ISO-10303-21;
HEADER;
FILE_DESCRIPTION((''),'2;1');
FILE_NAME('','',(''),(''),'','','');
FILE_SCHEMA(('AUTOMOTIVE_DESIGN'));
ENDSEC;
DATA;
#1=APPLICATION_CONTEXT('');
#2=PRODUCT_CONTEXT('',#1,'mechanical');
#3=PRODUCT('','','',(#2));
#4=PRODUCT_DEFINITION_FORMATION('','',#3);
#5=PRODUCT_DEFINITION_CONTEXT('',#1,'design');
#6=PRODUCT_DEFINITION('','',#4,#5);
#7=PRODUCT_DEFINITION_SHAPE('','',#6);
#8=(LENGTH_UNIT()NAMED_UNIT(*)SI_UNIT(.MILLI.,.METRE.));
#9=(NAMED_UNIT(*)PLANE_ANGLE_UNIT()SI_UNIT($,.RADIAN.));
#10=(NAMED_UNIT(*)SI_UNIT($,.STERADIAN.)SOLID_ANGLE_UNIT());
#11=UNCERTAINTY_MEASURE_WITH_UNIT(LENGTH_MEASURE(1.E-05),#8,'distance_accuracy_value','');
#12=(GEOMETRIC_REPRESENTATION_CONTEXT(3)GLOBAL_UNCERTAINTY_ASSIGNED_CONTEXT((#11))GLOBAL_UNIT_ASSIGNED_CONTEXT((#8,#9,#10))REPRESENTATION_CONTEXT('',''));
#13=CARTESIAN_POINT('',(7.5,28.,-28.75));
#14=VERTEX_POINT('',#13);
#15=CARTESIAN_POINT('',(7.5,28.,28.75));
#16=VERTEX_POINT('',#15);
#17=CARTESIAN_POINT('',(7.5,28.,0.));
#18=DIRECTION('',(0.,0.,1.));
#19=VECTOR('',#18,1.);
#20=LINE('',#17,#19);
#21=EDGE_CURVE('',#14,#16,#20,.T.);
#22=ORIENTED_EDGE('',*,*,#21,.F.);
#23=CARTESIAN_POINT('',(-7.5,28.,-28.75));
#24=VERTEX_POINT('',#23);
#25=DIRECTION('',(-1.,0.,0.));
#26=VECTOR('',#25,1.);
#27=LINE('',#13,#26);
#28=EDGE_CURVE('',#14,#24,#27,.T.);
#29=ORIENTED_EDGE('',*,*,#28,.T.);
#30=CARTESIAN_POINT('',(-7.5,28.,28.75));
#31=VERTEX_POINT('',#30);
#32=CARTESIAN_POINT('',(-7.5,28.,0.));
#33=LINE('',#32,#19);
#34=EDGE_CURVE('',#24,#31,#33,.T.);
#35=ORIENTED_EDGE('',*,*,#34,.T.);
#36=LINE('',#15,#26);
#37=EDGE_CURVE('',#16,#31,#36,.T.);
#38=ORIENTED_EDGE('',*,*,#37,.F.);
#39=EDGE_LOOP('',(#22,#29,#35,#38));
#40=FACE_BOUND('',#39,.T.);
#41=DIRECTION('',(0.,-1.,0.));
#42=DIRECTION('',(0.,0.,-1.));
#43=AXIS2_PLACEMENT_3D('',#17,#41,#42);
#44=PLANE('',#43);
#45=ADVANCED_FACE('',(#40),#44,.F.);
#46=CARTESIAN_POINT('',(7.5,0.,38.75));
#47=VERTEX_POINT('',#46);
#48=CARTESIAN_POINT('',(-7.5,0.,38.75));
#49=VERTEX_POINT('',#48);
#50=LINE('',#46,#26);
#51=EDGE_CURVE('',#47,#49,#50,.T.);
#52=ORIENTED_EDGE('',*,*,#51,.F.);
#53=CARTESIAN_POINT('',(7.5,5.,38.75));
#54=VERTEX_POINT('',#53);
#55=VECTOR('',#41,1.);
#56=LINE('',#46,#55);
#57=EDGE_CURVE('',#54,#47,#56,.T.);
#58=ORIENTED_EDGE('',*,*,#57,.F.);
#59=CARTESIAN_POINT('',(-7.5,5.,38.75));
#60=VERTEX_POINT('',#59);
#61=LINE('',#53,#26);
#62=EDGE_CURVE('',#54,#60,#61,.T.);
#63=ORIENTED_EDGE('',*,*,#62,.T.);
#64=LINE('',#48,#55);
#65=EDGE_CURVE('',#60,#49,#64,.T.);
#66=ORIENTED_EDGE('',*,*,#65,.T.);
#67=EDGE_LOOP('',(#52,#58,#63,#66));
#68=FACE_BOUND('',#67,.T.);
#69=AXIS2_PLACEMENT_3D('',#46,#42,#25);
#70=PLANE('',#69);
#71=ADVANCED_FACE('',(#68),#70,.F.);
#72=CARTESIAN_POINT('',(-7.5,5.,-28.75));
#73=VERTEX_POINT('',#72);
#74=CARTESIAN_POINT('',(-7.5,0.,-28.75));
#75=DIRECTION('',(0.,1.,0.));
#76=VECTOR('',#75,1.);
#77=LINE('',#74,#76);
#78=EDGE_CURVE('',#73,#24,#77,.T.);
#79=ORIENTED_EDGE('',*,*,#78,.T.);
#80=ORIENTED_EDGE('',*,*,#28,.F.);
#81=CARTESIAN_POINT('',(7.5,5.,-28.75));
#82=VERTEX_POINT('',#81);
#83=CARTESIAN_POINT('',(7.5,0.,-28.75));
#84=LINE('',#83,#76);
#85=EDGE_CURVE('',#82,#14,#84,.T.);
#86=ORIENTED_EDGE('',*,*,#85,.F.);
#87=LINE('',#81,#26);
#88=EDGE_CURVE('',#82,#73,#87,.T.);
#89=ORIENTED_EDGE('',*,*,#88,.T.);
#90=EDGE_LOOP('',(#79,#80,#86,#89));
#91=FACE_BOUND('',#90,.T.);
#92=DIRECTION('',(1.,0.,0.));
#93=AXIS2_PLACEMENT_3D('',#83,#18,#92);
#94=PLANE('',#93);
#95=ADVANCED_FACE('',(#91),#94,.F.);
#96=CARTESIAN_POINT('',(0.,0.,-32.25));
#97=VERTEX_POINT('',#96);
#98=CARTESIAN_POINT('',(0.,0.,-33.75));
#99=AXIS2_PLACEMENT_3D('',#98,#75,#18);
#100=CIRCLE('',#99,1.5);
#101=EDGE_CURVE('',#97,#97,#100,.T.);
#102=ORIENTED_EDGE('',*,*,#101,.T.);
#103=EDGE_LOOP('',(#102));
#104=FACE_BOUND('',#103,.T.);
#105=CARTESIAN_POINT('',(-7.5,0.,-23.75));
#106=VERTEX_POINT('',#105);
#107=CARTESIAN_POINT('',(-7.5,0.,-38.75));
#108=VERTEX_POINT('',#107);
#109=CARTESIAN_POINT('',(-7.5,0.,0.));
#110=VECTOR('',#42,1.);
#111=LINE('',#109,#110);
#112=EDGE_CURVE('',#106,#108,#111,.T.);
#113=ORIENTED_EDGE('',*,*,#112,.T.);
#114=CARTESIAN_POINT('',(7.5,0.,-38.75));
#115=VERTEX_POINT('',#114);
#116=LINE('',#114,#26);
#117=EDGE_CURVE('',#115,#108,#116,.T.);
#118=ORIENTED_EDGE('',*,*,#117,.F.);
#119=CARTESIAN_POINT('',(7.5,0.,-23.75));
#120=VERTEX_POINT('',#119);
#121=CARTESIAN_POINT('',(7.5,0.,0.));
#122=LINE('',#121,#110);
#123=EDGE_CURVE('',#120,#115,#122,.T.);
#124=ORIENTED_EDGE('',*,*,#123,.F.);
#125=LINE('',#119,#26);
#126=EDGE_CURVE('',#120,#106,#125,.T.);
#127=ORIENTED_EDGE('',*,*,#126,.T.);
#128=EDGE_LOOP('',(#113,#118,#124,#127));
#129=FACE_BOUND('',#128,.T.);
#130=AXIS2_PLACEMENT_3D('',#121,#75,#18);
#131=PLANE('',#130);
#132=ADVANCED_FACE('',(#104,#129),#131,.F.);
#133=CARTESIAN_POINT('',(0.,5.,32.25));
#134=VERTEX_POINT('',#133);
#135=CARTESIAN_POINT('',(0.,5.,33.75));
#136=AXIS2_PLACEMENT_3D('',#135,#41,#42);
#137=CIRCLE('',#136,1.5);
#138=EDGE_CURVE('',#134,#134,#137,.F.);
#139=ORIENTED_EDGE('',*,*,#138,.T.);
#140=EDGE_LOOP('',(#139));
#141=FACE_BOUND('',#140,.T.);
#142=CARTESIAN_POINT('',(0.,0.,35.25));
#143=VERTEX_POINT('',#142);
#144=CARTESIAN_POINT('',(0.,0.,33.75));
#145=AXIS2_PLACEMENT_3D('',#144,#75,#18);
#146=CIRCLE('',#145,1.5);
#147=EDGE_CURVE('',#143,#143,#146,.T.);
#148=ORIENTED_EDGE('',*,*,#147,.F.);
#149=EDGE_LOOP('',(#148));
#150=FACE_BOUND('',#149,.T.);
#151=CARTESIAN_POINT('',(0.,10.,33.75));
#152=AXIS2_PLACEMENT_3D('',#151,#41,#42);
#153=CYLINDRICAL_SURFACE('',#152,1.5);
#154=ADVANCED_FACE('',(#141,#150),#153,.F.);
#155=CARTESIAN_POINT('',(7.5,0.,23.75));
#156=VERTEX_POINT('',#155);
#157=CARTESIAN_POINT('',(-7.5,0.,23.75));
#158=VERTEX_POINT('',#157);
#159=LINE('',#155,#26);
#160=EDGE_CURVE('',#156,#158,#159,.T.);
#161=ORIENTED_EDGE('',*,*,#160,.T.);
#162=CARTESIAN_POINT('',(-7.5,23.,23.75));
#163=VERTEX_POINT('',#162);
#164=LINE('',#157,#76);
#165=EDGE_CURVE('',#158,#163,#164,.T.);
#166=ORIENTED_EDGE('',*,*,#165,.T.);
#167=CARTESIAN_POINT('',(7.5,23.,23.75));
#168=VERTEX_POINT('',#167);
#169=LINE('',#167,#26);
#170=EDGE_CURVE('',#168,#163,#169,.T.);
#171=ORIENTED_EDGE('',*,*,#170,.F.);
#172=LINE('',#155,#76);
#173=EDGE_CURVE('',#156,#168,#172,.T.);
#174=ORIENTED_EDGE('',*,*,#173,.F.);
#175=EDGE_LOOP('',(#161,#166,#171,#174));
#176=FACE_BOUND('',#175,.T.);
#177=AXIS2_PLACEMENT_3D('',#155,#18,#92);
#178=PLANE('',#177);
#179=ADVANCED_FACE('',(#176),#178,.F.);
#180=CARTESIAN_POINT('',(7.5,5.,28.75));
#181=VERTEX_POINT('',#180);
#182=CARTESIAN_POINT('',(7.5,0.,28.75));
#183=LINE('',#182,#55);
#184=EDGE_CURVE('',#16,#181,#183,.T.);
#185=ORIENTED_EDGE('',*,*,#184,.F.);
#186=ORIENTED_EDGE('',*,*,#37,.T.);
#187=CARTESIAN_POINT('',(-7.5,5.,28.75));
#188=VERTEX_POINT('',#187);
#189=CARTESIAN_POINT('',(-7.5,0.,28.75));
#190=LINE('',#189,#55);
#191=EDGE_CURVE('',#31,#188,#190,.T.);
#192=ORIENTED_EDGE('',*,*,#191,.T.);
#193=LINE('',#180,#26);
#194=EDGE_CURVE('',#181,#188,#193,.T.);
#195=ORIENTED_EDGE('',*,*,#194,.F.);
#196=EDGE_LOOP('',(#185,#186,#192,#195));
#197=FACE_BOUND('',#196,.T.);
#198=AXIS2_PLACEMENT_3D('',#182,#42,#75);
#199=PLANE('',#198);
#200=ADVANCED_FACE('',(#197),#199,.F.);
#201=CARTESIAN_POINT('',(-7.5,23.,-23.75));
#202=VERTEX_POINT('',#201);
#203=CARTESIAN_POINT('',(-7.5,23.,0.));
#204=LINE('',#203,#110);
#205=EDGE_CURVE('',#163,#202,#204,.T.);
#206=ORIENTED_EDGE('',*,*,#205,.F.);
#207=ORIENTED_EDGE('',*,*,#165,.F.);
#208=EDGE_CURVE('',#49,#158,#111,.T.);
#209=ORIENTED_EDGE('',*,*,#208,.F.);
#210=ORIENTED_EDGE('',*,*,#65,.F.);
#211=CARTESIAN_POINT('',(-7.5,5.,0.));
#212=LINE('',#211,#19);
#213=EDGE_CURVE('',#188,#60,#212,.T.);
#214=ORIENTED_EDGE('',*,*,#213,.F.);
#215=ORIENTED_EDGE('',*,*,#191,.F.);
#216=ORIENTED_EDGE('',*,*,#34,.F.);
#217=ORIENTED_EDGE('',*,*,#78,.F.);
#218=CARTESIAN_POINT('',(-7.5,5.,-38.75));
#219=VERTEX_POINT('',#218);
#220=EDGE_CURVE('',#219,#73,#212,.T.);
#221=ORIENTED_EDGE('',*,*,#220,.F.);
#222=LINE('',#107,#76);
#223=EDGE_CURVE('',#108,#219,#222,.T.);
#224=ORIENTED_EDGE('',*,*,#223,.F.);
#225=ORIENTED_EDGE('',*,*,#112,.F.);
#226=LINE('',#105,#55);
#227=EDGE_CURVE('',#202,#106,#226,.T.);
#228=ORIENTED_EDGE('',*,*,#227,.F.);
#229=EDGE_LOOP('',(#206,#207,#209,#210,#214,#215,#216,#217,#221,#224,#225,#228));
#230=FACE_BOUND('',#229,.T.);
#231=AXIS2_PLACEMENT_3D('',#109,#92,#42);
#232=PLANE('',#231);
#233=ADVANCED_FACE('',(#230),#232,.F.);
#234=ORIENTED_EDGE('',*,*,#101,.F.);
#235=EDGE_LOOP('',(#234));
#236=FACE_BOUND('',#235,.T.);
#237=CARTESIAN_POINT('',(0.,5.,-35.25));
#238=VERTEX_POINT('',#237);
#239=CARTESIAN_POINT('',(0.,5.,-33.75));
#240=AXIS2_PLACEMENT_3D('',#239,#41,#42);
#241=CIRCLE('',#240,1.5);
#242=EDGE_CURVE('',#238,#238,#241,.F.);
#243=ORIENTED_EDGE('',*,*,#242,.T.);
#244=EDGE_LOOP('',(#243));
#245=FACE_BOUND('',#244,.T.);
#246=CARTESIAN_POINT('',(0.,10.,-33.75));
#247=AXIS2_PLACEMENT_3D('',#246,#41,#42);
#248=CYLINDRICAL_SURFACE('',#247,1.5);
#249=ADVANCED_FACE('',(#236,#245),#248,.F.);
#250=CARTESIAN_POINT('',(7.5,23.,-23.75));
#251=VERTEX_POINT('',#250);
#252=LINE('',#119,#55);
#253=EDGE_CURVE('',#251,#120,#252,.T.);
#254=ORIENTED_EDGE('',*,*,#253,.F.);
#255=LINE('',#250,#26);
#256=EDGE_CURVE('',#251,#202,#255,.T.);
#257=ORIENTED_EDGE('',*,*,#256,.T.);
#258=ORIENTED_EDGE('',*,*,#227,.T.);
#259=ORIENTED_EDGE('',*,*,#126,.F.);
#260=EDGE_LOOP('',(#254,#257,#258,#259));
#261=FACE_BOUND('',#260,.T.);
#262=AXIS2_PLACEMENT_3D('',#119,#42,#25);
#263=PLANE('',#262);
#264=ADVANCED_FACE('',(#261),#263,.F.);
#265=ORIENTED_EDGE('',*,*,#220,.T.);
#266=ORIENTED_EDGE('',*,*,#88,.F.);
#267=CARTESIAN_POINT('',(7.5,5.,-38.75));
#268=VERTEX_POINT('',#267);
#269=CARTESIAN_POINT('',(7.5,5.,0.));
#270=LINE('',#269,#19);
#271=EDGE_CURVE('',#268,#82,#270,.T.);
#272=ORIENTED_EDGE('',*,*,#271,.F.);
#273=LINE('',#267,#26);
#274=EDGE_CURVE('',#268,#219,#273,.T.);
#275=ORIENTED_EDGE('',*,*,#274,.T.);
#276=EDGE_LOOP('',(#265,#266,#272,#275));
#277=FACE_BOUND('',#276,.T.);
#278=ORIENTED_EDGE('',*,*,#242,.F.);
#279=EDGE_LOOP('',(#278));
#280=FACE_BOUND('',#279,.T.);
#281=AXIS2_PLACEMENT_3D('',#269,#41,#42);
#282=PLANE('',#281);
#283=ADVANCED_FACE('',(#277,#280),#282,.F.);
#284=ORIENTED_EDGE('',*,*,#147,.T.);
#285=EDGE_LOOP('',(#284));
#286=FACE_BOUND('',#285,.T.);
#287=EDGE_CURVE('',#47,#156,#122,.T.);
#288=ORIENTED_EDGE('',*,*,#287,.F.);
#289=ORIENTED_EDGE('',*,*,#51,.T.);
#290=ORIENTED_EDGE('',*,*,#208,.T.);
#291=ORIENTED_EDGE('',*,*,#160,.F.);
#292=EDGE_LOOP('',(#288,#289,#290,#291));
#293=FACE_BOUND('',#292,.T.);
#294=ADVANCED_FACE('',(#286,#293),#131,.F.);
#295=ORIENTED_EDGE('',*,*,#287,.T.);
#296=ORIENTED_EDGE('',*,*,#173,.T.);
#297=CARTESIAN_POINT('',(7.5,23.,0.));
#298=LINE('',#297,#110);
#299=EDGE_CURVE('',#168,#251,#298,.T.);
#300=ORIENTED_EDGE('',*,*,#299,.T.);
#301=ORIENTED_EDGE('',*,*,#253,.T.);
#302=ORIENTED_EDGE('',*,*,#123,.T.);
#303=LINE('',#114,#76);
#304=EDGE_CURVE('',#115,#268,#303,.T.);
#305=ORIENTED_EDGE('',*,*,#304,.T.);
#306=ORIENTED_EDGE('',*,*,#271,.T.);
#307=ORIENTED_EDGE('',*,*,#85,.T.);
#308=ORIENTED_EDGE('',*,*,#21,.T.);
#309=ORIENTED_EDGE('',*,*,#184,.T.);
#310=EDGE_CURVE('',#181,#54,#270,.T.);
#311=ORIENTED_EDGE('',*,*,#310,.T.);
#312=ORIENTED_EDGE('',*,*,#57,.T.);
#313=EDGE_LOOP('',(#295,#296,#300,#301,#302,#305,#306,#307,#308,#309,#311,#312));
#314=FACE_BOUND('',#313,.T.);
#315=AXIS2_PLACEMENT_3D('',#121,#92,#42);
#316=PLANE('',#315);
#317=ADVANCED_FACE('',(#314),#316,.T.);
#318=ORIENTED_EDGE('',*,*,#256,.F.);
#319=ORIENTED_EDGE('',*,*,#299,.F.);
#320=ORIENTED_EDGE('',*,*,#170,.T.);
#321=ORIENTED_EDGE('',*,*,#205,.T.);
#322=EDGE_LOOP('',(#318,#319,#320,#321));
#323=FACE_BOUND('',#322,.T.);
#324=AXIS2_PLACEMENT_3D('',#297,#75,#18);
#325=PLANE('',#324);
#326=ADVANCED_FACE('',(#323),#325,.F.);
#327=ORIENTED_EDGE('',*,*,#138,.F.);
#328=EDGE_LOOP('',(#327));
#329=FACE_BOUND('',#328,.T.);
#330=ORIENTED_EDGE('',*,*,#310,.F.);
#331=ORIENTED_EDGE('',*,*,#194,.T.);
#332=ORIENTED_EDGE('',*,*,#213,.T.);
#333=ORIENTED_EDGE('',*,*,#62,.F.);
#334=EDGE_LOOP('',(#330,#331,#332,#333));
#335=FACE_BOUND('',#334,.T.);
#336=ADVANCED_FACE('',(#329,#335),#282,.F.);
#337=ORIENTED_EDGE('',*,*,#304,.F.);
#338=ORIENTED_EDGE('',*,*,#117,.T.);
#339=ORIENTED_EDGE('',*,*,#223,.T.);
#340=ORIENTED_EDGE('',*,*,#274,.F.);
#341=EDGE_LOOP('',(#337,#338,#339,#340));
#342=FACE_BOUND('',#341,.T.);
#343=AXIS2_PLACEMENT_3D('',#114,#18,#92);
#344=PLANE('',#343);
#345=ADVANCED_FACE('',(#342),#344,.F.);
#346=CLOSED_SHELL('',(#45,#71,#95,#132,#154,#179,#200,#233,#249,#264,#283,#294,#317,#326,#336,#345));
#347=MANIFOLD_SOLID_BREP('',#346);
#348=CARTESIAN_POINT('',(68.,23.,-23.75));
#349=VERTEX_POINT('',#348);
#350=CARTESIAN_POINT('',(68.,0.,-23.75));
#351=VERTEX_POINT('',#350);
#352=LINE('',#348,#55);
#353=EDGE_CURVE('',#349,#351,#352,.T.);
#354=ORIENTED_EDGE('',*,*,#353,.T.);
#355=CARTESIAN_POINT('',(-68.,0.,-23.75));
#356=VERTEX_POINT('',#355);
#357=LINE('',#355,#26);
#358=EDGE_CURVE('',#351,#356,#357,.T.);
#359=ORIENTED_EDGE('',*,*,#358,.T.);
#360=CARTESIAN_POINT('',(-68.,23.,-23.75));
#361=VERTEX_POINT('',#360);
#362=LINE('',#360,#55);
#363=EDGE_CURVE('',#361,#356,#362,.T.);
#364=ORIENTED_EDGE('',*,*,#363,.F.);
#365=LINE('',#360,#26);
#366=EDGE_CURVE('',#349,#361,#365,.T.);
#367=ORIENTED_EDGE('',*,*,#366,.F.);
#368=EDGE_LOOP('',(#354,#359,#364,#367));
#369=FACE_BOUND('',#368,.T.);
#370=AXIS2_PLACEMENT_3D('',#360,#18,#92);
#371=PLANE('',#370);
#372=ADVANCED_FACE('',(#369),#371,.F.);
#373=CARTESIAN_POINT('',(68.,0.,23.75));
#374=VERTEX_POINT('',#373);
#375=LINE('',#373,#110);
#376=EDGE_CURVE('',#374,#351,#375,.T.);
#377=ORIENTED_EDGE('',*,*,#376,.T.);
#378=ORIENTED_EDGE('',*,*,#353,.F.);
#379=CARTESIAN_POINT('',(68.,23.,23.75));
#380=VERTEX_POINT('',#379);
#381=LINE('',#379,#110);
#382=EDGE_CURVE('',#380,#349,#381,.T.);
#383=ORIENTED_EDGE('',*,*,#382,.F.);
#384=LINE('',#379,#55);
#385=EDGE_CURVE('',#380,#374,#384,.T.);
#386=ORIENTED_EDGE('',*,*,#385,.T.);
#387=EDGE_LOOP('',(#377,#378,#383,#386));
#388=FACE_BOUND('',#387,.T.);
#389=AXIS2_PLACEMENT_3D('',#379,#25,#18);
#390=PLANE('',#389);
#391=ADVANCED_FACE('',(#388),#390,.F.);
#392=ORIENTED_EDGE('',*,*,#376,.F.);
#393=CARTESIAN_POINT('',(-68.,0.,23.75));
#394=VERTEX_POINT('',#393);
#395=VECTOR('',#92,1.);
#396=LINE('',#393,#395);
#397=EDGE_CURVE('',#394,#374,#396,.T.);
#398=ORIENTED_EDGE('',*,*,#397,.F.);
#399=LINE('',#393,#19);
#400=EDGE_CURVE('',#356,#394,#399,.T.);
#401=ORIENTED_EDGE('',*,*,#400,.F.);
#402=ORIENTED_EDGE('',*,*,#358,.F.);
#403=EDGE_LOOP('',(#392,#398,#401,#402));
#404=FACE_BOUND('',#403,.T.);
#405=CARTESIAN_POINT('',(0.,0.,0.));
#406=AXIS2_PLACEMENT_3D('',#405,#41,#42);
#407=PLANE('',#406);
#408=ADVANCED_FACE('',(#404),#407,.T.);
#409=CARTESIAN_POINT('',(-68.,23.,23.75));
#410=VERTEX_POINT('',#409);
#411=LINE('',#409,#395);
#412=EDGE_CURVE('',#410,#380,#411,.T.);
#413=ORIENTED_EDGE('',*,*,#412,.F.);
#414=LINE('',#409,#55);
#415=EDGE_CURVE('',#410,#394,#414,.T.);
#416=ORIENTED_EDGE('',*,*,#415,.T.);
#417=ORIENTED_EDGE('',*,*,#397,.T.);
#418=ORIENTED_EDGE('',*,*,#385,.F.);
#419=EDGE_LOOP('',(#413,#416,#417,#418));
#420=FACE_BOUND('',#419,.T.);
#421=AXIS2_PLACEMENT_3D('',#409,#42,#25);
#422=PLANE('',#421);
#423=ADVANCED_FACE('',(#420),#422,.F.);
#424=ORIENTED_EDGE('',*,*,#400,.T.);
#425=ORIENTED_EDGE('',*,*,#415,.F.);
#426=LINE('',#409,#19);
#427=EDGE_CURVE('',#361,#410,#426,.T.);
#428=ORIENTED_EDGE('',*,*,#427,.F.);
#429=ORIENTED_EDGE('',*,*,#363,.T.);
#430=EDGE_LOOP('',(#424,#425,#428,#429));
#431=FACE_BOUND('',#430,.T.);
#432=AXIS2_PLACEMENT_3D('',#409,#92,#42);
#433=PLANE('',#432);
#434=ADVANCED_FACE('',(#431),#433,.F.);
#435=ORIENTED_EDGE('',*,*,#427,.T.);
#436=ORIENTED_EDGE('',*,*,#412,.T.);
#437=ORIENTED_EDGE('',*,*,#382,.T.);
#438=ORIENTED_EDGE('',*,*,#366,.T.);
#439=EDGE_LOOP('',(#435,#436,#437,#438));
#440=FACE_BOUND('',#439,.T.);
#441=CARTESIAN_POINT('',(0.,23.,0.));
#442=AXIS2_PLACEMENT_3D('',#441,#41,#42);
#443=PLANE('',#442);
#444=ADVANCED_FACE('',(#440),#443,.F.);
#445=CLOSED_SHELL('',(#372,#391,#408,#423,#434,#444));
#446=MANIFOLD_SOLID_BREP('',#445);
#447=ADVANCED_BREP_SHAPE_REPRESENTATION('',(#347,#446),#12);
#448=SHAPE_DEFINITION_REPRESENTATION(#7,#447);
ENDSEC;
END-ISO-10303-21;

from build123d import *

# Parameters (mm, degrees)
SKETCH1_W           = 136
SKETCH1_H           = 47.5
BOSS_EXTRUDE1_DEPTH = 23
BOSS_EXTRUDE2_DEPTH = 7.5
SKETCH6_R           = 1.5
CUT_EXTRUDE1_DEPTH  = 10


with BuildPart() as part:
    # Sketch1 → Boss-Extrude1 (new body)
    with BuildSketch(Plane(origin=(0, 0, 0), x_dir=(1, 0, 0), z_dir=(0, 1, 0))):
        Rectangle(SKETCH1_W, SKETCH1_H)
    extrude(amount=BOSS_EXTRUDE1_DEPTH)


with BuildPart() as body_2:
    # Sketch5 → Boss-Extrude2 (new body, symmetric)
    with BuildSketch(Plane(origin=(0, 0, 0), x_dir=(0, 0, -1), z_dir=(1, 0, 0))):
        Polygon((-38.75, 5), (-38.75, 0), (-23.75, 0), (-23.75, 23), (23.75, 23), (23.75, 0), (38.75, 0), (38.75, 5), (28.75, 5), (28.75, 28), (-28.75, 28), (-28.75, 5), align=None)
    extrude(amount=BOSS_EXTRUDE2_DEPTH, both=True)

    # Sketch6 → Cut-Extrude1 (cut)
    with BuildSketch(Plane(origin=(0, 0, 0), x_dir=(1, 0, 0), z_dir=(0, 1, 0))):
        with Locations((0, 33.75)):
            Circle(SKETCH6_R)
        with Locations((0, -33.75)):
            Circle(SKETCH6_R)
    extrude(amount=CUT_EXTRUDE1_DEPTH, mode=Mode.SUBTRACT)


solid = Compound([part.part, body_2.part])
